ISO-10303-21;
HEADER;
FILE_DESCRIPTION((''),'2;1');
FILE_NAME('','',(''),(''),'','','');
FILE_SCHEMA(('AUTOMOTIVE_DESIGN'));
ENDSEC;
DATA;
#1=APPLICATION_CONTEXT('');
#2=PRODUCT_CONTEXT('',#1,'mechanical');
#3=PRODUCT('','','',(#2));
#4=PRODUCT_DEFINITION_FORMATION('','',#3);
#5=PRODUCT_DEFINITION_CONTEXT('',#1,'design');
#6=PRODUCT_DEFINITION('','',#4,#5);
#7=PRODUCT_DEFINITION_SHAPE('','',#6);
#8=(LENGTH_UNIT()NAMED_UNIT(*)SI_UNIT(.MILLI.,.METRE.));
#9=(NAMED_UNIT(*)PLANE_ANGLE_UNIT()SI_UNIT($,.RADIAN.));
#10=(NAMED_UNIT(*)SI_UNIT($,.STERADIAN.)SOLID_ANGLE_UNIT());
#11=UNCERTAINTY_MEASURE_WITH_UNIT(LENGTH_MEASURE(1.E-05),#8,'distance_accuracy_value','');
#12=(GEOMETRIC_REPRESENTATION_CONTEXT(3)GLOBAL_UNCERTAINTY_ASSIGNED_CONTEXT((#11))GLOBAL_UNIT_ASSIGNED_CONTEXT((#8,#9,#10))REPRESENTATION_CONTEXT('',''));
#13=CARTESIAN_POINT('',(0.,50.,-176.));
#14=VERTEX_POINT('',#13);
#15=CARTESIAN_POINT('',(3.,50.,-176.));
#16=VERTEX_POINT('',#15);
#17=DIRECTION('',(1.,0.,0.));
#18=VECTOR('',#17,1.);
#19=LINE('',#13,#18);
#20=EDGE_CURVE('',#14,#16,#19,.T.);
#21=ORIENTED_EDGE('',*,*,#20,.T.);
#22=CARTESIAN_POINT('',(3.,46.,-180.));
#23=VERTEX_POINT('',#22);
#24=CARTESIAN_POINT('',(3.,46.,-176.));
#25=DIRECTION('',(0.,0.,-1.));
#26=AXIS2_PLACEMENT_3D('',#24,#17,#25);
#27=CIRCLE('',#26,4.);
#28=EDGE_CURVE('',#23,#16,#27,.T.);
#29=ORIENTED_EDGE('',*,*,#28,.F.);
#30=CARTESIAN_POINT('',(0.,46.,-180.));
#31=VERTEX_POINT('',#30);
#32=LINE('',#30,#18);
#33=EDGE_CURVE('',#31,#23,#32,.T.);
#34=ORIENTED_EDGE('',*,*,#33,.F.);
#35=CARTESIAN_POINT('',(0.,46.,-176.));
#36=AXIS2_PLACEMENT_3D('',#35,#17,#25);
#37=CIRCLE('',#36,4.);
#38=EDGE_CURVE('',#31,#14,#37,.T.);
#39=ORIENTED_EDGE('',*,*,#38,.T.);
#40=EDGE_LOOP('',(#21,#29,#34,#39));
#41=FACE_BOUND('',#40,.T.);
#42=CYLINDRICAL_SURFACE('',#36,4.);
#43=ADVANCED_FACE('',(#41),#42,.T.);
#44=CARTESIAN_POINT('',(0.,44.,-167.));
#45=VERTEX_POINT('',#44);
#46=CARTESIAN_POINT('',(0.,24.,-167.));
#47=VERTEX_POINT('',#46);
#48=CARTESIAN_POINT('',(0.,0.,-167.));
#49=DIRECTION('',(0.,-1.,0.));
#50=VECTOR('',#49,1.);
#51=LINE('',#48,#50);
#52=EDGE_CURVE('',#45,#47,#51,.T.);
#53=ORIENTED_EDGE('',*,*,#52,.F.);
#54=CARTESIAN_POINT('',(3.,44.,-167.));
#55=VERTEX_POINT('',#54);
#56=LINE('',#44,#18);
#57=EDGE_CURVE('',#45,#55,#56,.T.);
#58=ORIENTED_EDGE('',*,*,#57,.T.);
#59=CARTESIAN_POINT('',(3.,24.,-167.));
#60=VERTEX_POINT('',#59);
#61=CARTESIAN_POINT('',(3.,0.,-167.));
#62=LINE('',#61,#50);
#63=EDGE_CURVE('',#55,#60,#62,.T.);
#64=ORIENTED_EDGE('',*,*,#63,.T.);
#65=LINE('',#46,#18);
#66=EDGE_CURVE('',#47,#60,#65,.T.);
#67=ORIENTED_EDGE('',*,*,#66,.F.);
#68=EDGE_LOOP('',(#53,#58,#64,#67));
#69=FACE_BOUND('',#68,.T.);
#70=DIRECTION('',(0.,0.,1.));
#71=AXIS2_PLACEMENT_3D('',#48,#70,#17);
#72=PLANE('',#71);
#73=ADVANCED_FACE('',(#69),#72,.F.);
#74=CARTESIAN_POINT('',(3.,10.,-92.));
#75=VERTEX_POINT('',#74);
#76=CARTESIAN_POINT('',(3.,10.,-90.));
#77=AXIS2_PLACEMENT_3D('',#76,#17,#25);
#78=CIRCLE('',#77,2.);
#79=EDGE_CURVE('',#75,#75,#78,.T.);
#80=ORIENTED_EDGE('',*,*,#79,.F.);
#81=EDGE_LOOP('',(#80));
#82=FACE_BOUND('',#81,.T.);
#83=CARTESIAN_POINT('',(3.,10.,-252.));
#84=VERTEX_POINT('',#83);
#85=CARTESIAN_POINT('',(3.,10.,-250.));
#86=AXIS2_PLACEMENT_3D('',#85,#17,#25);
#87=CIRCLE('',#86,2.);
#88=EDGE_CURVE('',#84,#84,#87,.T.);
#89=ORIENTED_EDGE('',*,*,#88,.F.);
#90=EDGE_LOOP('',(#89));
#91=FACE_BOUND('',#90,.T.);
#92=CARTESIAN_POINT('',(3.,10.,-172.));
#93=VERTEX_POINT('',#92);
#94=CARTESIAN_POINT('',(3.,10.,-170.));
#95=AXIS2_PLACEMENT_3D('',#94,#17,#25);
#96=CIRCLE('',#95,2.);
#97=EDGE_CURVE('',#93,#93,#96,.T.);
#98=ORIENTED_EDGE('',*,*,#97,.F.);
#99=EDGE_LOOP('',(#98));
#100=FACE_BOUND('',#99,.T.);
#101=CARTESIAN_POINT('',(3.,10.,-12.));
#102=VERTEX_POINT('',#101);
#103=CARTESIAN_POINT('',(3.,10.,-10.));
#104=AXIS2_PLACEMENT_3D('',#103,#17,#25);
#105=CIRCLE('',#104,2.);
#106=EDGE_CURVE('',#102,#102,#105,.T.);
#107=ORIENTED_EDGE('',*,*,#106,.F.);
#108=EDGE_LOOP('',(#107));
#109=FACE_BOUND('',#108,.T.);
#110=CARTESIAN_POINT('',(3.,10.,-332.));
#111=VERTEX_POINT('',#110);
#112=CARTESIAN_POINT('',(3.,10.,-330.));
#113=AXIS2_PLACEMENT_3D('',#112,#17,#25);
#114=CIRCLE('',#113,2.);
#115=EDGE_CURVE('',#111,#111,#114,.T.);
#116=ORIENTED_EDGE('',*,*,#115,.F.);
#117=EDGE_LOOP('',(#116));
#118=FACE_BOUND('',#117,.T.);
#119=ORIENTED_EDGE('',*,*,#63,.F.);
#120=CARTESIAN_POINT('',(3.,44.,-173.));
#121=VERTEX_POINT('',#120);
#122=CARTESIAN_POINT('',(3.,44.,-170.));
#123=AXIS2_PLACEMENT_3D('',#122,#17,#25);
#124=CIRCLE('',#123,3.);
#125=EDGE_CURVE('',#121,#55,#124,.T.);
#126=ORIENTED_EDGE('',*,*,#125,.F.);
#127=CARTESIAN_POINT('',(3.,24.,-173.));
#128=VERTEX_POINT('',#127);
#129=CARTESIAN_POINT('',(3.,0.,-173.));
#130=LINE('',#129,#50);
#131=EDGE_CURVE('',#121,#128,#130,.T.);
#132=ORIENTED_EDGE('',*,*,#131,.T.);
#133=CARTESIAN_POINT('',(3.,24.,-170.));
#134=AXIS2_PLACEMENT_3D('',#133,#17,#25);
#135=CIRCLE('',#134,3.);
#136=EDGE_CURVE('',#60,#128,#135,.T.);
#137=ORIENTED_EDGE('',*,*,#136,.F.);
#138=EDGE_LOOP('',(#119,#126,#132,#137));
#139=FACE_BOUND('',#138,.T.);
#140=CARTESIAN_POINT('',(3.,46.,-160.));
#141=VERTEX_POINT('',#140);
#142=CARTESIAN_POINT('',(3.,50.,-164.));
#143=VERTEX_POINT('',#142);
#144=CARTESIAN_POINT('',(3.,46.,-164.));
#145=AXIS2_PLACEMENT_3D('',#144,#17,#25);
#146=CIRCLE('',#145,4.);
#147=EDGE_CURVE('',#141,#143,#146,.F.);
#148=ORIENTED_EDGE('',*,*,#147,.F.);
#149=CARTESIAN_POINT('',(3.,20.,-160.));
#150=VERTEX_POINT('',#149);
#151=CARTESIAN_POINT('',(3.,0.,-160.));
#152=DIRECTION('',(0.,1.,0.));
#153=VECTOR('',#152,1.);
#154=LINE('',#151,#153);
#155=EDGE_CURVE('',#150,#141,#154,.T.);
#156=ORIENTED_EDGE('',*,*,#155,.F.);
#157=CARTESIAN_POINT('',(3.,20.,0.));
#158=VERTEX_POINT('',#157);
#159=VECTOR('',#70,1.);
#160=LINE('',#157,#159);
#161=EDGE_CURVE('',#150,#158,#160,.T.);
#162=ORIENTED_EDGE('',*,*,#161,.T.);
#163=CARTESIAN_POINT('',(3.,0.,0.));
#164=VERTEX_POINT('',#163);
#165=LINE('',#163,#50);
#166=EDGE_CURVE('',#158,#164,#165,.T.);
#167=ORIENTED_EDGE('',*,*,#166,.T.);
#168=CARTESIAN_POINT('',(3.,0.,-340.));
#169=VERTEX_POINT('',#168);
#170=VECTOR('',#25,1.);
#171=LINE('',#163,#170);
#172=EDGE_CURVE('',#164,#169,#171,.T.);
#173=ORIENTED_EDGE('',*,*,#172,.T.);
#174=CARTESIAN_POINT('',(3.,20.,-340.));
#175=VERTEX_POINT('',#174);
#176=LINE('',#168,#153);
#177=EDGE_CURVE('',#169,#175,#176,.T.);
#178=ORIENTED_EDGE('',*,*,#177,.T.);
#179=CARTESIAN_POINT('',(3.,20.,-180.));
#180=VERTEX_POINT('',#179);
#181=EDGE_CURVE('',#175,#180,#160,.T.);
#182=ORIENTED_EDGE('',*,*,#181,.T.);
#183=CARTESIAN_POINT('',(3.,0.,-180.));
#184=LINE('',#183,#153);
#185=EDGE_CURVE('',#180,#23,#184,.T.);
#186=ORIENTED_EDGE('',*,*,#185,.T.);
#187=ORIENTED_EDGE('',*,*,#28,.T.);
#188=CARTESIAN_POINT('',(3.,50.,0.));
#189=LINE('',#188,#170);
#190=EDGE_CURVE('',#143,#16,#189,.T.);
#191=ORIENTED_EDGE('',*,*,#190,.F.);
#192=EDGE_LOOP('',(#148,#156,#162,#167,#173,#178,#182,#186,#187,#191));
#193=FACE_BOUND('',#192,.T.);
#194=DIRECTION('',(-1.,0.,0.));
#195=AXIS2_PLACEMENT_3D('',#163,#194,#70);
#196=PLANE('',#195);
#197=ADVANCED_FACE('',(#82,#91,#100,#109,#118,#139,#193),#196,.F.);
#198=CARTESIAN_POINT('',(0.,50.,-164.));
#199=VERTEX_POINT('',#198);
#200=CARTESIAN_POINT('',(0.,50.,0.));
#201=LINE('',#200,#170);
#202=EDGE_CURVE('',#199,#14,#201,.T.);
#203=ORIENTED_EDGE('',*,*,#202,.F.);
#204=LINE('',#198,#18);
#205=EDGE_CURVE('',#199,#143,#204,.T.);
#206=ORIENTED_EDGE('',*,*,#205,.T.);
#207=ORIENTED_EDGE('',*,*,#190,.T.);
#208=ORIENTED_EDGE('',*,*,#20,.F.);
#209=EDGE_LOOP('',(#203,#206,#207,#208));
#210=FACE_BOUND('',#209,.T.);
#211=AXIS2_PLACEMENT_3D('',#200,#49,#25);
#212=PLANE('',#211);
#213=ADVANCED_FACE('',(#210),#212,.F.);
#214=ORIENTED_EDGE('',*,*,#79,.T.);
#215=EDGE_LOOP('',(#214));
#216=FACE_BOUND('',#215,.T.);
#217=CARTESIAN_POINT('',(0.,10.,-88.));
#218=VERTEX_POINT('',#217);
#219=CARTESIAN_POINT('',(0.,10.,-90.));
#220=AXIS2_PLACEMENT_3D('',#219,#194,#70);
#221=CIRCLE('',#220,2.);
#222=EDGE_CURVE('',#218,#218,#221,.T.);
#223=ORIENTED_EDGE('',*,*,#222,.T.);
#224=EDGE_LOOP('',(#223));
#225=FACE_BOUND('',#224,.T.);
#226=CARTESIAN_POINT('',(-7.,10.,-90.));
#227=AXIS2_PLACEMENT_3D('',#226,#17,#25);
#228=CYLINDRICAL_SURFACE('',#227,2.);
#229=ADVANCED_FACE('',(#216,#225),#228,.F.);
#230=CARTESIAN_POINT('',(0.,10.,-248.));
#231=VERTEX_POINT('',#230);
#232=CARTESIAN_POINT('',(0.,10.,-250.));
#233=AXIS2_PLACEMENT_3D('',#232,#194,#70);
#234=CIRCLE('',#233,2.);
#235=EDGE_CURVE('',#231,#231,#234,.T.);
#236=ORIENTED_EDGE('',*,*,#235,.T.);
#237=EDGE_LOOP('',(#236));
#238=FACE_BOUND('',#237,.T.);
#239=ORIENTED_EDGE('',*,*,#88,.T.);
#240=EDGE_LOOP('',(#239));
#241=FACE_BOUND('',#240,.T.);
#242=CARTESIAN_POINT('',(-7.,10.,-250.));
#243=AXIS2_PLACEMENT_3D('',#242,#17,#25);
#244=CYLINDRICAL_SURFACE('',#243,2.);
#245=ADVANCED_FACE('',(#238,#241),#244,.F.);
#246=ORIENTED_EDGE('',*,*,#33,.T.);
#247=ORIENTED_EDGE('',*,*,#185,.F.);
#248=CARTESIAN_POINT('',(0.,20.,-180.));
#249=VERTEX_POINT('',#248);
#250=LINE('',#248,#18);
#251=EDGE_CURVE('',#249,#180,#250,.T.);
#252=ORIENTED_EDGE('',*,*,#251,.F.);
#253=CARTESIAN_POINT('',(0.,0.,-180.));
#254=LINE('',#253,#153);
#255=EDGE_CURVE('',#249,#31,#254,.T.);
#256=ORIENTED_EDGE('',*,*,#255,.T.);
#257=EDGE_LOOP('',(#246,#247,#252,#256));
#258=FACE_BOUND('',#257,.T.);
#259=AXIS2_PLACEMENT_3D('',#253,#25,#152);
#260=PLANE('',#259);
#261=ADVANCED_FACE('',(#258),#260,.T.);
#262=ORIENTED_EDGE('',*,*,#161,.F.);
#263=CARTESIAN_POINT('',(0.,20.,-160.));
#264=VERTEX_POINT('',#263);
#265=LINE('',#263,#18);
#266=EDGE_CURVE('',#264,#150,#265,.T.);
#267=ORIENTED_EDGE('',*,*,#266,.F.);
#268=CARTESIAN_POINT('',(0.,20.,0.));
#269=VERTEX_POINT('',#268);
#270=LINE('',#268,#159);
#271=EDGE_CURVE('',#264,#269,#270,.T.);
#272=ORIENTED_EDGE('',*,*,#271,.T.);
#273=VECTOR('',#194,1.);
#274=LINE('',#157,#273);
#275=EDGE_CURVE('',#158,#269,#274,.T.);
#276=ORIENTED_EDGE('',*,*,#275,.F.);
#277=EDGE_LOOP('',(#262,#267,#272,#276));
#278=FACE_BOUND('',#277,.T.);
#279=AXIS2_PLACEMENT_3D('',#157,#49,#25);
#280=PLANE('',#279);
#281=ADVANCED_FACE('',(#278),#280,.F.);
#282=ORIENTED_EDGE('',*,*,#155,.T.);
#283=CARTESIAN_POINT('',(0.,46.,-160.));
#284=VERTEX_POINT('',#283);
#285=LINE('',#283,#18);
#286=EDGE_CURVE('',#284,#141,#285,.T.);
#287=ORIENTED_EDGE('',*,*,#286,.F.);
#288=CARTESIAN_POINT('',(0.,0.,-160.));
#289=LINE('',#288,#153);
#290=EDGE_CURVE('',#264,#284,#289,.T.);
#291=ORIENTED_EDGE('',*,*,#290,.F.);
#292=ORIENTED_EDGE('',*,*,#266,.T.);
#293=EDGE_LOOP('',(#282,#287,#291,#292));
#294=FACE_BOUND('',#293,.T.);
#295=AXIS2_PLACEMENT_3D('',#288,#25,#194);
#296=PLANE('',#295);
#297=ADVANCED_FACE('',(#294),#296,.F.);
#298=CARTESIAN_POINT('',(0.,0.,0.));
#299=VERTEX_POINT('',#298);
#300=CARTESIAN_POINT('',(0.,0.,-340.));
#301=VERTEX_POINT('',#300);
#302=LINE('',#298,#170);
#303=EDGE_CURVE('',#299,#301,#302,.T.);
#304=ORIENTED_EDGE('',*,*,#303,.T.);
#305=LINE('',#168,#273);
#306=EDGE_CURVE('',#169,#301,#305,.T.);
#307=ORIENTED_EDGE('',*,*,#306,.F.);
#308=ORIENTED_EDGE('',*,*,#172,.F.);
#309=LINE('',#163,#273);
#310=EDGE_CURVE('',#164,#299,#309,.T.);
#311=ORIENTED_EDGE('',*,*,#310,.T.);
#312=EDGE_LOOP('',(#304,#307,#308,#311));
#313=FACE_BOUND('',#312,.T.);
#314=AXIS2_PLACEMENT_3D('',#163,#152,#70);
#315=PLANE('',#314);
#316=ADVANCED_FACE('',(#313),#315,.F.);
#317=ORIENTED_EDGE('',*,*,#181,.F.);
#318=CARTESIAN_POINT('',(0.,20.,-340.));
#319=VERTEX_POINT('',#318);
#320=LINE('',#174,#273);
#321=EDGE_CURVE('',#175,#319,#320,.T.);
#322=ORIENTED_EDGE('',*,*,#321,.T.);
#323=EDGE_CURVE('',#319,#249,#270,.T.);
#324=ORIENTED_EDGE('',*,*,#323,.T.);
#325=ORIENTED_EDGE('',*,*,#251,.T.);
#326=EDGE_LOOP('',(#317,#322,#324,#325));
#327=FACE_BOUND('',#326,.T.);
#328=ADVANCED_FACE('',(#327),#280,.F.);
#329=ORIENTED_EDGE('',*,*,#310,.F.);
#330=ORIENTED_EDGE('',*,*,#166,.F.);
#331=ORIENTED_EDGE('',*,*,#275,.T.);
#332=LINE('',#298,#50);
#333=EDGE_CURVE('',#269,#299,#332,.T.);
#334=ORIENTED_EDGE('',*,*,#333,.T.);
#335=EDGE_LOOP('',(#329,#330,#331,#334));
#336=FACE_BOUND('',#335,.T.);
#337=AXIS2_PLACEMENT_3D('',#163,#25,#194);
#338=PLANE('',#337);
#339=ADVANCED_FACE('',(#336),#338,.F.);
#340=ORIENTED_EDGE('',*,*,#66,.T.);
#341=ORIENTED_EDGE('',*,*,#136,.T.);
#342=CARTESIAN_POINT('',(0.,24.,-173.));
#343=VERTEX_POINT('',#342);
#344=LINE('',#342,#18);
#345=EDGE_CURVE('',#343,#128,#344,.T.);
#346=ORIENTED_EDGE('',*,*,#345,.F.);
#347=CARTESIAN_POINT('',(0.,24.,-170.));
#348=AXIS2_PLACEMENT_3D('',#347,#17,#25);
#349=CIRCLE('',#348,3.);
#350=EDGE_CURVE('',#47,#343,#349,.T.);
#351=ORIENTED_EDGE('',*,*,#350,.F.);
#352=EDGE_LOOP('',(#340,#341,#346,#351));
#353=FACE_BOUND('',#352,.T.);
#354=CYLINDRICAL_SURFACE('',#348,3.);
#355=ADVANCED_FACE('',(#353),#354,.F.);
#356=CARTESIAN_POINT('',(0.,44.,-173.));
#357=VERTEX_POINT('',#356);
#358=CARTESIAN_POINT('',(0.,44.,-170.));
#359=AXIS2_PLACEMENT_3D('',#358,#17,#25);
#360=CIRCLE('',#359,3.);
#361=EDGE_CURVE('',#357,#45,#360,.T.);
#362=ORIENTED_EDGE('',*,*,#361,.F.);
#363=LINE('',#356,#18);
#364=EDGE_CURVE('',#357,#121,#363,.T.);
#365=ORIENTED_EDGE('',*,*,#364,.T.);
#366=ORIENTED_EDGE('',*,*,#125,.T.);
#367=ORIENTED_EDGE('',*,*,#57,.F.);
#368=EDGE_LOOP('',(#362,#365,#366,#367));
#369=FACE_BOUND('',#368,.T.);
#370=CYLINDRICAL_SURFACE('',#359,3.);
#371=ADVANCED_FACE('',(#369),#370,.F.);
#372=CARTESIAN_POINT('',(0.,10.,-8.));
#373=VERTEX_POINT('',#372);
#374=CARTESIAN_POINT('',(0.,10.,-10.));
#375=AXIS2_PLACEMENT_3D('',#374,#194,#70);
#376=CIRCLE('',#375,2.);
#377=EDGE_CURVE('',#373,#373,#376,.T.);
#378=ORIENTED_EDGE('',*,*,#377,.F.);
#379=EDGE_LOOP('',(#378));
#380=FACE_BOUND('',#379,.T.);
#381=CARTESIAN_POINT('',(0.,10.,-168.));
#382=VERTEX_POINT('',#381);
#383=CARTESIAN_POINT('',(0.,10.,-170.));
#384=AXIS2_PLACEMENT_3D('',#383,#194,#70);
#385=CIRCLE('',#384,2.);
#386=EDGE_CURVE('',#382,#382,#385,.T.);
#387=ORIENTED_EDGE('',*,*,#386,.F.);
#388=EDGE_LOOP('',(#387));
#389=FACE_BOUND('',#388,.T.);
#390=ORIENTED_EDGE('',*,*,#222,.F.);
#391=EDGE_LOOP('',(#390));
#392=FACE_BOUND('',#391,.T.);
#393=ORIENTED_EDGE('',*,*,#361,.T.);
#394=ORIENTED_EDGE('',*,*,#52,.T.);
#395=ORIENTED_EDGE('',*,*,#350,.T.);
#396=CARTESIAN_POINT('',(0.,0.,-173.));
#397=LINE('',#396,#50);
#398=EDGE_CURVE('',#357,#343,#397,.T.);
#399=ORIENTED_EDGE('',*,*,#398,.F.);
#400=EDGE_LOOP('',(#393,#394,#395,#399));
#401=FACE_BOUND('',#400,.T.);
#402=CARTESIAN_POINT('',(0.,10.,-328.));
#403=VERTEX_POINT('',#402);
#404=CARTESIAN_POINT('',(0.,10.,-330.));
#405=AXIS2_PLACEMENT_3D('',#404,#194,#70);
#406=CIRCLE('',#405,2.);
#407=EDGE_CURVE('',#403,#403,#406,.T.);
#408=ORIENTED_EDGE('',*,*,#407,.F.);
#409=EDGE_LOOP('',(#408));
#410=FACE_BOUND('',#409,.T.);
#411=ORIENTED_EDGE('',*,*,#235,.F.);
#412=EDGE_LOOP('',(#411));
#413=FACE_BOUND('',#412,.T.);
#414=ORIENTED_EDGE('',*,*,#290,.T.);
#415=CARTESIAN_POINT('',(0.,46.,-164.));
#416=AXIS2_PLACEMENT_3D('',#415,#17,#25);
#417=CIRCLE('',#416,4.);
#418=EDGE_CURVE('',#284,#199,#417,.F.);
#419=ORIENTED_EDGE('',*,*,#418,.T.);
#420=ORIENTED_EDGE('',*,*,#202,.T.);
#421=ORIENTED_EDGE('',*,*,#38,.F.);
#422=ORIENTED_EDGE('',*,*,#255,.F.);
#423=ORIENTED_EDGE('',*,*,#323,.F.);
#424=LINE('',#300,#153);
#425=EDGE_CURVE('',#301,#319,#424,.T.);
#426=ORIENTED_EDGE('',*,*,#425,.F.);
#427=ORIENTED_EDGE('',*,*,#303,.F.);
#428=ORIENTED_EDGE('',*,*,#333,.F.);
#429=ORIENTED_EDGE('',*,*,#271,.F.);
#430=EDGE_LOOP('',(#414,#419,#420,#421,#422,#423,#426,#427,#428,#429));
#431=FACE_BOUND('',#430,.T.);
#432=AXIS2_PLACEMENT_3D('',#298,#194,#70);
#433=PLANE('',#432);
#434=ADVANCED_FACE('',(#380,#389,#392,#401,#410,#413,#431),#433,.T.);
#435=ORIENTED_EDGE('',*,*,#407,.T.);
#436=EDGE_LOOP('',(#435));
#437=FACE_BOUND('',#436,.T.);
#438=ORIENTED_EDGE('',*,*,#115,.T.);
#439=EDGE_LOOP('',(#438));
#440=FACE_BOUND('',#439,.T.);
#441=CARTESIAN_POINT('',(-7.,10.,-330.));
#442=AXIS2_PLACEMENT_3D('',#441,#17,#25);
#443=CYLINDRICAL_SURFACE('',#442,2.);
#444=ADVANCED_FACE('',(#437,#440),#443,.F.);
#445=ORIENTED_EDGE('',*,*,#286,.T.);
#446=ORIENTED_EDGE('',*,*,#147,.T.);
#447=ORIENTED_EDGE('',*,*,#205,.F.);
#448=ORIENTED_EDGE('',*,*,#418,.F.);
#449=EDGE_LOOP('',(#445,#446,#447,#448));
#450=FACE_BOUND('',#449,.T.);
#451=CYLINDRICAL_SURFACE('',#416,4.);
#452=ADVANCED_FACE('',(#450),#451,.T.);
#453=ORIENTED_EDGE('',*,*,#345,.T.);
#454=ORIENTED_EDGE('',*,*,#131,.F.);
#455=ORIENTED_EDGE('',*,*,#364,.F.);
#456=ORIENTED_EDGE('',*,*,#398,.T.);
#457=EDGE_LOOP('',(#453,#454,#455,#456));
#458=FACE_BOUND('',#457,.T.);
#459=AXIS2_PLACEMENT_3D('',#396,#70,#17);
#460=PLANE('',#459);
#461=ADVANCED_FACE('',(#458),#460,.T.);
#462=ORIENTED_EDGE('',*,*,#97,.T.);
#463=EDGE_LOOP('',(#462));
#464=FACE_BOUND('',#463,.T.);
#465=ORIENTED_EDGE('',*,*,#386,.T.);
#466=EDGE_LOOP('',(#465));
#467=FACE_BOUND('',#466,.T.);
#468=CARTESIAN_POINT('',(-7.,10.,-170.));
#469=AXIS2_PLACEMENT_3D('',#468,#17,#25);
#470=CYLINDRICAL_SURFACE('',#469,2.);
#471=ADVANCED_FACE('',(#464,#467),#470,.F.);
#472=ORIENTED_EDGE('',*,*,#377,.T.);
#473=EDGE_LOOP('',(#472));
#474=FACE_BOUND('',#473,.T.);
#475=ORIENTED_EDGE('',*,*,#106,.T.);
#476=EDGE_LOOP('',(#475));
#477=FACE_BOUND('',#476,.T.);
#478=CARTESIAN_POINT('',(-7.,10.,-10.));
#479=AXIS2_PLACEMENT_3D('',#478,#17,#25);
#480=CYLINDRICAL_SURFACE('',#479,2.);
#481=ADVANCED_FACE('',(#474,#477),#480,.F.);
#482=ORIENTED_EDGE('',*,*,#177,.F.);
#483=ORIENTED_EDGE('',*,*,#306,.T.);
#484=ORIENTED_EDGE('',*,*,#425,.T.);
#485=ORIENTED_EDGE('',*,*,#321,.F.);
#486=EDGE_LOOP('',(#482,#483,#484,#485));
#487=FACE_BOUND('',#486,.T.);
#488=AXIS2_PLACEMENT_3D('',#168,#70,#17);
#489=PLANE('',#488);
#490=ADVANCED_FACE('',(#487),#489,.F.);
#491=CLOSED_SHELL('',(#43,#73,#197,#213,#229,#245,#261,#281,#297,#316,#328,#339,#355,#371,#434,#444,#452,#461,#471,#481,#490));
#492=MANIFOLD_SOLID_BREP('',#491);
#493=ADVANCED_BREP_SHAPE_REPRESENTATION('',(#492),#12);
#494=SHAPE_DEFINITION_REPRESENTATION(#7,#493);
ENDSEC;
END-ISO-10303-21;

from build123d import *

# Parameters (mm, degrees)
SKETCH1_W           = 340
SKETCH1_H           = 20
BOSS_EXTRUDE1_DEPTH = 3
SKETCH2_R           = 2
CUT_EXTRUDE1_DEPTH  = 10
BOSS_EXTRUDE4_DEPTH = 3


with BuildPart() as part:
    # Sketch1 → Boss-Extrude1 (new body)
    with BuildSketch(Plane(origin=(0, 0, 0), x_dir=(0, 0, -1), z_dir=(1, 0, 0))):
        with Locations((170, 10)):
            Rectangle(SKETCH1_W, SKETCH1_H)
    extrude(amount=BOSS_EXTRUDE1_DEPTH)

    # Sketch2 → Cut-Extrude1 (cut)
    with BuildSketch(Plane(origin=(3, 0, 0), x_dir=(0, 0, -1), z_dir=(1, 0, 0))):
        with Locations((10, 10)):
            Circle(SKETCH2_R)
        with Locations((90, 10)):
            Circle(SKETCH2_R)
        with Locations((170, 10)):
            Circle(SKETCH2_R)
        with Locations((250, 10)):
            Circle(SKETCH2_R)
        with Locations((330, 10)):
            Circle(SKETCH2_R)
    extrude(amount=-CUT_EXTRUDE1_DEPTH, mode=Mode.SUBTRACT)

    # Sketch3 → Boss-Extrude4 (add)
    with BuildSketch(Plane(origin=(3, 0, 0), x_dir=(0, 0, -1), z_dir=(1, 0, 0))):
        with BuildLine():
            Line((160, 46), (160, 20))
            Line((160, 20), (180, 20))
            Line((180, 20), (180, 46))
            ThreePointArc((180, 46), (178.828427125, 48.828427125), (176, 50))
            Line((176, 50), (164, 50))
            ThreePointArc((164, 50), (161.171572875, 48.828427125), (160, 46))
        make_face()
        with BuildLine():
            ThreePointArc((167, 44), (170, 47), (173, 44))
            Line((173, 44), (173, 24))
            ThreePointArc((173, 24), (170, 21), (167, 24))
            Line((167, 24), (167, 44))
        make_face(mode=Mode.SUBTRACT)
    extrude(amount=-BOSS_EXTRUDE4_DEPTH)


solid = part.part
